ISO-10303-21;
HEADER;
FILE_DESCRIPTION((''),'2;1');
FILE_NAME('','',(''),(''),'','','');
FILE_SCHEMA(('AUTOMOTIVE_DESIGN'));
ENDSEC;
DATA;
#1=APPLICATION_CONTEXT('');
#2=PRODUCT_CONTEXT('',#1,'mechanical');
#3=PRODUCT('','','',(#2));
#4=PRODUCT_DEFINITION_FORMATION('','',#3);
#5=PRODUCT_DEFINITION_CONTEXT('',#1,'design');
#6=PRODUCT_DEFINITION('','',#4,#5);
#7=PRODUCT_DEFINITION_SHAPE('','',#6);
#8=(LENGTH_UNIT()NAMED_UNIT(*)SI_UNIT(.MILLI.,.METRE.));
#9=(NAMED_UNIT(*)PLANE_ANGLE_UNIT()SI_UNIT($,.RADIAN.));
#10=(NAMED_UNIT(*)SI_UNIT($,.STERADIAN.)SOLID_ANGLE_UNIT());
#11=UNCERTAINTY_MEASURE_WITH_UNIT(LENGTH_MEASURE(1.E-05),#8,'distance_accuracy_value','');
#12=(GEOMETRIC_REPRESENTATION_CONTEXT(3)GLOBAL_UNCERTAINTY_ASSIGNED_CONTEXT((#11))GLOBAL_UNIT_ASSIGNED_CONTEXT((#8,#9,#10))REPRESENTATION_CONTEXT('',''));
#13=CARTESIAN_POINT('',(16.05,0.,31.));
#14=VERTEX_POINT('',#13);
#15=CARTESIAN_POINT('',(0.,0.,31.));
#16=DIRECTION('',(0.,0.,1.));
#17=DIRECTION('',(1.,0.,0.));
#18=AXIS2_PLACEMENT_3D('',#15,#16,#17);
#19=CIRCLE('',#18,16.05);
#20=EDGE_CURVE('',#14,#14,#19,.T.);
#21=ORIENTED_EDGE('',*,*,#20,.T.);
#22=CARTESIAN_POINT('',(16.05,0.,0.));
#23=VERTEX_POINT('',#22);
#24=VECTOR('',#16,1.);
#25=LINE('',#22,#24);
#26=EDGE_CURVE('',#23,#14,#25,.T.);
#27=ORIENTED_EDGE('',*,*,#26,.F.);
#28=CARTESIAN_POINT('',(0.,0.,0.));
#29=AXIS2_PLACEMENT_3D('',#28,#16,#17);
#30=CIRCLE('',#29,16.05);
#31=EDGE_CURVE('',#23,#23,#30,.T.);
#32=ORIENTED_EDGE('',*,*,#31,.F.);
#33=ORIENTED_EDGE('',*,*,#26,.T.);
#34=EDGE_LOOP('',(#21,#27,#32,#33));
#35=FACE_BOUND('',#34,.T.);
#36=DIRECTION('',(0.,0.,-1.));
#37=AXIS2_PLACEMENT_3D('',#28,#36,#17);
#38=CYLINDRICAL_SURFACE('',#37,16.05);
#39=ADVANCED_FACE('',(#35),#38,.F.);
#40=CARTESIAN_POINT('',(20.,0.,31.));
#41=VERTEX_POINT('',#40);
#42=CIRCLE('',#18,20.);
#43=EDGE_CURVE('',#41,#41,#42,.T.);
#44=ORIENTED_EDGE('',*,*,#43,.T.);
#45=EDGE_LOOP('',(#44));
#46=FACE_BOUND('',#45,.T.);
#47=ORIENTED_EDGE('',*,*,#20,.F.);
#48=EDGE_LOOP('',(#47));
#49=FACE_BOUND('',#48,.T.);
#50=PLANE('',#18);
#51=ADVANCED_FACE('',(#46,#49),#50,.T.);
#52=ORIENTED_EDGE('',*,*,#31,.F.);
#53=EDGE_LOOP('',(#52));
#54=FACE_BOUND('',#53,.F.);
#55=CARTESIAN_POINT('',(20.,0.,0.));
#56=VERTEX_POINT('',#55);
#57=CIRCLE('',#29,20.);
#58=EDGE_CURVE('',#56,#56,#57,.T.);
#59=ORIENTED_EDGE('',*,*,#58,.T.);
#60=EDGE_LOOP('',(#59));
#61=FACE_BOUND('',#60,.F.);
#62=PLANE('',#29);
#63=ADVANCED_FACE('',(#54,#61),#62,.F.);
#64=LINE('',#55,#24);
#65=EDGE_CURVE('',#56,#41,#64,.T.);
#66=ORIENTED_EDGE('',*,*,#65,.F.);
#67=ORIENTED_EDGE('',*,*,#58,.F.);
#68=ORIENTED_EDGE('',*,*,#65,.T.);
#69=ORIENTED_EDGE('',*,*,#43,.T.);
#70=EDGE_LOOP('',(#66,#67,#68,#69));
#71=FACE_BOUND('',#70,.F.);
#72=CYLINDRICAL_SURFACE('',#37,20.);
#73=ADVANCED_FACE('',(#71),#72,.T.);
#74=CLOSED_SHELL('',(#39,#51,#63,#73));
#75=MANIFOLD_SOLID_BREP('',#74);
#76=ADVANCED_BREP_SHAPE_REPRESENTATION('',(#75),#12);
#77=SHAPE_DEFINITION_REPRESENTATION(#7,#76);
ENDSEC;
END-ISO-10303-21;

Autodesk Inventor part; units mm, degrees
ref_plane "YZ Plane" through (0, 0, 0) normal (1, 0, 0) x (0, 1, 0)
ref_plane "XZ Plane" through (0, 0, 0) normal (0, 1, 0) x (-1, 0, 0)
ref_plane "XY Plane" through (0, 0, 0) normal (0, 0, 1) x (1, 0, 0)
sketch "스케치8" plane through (0, 0, 0) normal (0, 0, 1) x (1, 0, 0)
  circle A0 centre (0, 0) radius 16.05
  circle A1 centre (0, 0) radius 20
  dimension "d38" = 40
  dimension "d39" = 32.1
extrude "돌출3" add sketch "스케치8" along normal blind 31
properties part number "TL20240901-10320CV-010" material "S45C"
